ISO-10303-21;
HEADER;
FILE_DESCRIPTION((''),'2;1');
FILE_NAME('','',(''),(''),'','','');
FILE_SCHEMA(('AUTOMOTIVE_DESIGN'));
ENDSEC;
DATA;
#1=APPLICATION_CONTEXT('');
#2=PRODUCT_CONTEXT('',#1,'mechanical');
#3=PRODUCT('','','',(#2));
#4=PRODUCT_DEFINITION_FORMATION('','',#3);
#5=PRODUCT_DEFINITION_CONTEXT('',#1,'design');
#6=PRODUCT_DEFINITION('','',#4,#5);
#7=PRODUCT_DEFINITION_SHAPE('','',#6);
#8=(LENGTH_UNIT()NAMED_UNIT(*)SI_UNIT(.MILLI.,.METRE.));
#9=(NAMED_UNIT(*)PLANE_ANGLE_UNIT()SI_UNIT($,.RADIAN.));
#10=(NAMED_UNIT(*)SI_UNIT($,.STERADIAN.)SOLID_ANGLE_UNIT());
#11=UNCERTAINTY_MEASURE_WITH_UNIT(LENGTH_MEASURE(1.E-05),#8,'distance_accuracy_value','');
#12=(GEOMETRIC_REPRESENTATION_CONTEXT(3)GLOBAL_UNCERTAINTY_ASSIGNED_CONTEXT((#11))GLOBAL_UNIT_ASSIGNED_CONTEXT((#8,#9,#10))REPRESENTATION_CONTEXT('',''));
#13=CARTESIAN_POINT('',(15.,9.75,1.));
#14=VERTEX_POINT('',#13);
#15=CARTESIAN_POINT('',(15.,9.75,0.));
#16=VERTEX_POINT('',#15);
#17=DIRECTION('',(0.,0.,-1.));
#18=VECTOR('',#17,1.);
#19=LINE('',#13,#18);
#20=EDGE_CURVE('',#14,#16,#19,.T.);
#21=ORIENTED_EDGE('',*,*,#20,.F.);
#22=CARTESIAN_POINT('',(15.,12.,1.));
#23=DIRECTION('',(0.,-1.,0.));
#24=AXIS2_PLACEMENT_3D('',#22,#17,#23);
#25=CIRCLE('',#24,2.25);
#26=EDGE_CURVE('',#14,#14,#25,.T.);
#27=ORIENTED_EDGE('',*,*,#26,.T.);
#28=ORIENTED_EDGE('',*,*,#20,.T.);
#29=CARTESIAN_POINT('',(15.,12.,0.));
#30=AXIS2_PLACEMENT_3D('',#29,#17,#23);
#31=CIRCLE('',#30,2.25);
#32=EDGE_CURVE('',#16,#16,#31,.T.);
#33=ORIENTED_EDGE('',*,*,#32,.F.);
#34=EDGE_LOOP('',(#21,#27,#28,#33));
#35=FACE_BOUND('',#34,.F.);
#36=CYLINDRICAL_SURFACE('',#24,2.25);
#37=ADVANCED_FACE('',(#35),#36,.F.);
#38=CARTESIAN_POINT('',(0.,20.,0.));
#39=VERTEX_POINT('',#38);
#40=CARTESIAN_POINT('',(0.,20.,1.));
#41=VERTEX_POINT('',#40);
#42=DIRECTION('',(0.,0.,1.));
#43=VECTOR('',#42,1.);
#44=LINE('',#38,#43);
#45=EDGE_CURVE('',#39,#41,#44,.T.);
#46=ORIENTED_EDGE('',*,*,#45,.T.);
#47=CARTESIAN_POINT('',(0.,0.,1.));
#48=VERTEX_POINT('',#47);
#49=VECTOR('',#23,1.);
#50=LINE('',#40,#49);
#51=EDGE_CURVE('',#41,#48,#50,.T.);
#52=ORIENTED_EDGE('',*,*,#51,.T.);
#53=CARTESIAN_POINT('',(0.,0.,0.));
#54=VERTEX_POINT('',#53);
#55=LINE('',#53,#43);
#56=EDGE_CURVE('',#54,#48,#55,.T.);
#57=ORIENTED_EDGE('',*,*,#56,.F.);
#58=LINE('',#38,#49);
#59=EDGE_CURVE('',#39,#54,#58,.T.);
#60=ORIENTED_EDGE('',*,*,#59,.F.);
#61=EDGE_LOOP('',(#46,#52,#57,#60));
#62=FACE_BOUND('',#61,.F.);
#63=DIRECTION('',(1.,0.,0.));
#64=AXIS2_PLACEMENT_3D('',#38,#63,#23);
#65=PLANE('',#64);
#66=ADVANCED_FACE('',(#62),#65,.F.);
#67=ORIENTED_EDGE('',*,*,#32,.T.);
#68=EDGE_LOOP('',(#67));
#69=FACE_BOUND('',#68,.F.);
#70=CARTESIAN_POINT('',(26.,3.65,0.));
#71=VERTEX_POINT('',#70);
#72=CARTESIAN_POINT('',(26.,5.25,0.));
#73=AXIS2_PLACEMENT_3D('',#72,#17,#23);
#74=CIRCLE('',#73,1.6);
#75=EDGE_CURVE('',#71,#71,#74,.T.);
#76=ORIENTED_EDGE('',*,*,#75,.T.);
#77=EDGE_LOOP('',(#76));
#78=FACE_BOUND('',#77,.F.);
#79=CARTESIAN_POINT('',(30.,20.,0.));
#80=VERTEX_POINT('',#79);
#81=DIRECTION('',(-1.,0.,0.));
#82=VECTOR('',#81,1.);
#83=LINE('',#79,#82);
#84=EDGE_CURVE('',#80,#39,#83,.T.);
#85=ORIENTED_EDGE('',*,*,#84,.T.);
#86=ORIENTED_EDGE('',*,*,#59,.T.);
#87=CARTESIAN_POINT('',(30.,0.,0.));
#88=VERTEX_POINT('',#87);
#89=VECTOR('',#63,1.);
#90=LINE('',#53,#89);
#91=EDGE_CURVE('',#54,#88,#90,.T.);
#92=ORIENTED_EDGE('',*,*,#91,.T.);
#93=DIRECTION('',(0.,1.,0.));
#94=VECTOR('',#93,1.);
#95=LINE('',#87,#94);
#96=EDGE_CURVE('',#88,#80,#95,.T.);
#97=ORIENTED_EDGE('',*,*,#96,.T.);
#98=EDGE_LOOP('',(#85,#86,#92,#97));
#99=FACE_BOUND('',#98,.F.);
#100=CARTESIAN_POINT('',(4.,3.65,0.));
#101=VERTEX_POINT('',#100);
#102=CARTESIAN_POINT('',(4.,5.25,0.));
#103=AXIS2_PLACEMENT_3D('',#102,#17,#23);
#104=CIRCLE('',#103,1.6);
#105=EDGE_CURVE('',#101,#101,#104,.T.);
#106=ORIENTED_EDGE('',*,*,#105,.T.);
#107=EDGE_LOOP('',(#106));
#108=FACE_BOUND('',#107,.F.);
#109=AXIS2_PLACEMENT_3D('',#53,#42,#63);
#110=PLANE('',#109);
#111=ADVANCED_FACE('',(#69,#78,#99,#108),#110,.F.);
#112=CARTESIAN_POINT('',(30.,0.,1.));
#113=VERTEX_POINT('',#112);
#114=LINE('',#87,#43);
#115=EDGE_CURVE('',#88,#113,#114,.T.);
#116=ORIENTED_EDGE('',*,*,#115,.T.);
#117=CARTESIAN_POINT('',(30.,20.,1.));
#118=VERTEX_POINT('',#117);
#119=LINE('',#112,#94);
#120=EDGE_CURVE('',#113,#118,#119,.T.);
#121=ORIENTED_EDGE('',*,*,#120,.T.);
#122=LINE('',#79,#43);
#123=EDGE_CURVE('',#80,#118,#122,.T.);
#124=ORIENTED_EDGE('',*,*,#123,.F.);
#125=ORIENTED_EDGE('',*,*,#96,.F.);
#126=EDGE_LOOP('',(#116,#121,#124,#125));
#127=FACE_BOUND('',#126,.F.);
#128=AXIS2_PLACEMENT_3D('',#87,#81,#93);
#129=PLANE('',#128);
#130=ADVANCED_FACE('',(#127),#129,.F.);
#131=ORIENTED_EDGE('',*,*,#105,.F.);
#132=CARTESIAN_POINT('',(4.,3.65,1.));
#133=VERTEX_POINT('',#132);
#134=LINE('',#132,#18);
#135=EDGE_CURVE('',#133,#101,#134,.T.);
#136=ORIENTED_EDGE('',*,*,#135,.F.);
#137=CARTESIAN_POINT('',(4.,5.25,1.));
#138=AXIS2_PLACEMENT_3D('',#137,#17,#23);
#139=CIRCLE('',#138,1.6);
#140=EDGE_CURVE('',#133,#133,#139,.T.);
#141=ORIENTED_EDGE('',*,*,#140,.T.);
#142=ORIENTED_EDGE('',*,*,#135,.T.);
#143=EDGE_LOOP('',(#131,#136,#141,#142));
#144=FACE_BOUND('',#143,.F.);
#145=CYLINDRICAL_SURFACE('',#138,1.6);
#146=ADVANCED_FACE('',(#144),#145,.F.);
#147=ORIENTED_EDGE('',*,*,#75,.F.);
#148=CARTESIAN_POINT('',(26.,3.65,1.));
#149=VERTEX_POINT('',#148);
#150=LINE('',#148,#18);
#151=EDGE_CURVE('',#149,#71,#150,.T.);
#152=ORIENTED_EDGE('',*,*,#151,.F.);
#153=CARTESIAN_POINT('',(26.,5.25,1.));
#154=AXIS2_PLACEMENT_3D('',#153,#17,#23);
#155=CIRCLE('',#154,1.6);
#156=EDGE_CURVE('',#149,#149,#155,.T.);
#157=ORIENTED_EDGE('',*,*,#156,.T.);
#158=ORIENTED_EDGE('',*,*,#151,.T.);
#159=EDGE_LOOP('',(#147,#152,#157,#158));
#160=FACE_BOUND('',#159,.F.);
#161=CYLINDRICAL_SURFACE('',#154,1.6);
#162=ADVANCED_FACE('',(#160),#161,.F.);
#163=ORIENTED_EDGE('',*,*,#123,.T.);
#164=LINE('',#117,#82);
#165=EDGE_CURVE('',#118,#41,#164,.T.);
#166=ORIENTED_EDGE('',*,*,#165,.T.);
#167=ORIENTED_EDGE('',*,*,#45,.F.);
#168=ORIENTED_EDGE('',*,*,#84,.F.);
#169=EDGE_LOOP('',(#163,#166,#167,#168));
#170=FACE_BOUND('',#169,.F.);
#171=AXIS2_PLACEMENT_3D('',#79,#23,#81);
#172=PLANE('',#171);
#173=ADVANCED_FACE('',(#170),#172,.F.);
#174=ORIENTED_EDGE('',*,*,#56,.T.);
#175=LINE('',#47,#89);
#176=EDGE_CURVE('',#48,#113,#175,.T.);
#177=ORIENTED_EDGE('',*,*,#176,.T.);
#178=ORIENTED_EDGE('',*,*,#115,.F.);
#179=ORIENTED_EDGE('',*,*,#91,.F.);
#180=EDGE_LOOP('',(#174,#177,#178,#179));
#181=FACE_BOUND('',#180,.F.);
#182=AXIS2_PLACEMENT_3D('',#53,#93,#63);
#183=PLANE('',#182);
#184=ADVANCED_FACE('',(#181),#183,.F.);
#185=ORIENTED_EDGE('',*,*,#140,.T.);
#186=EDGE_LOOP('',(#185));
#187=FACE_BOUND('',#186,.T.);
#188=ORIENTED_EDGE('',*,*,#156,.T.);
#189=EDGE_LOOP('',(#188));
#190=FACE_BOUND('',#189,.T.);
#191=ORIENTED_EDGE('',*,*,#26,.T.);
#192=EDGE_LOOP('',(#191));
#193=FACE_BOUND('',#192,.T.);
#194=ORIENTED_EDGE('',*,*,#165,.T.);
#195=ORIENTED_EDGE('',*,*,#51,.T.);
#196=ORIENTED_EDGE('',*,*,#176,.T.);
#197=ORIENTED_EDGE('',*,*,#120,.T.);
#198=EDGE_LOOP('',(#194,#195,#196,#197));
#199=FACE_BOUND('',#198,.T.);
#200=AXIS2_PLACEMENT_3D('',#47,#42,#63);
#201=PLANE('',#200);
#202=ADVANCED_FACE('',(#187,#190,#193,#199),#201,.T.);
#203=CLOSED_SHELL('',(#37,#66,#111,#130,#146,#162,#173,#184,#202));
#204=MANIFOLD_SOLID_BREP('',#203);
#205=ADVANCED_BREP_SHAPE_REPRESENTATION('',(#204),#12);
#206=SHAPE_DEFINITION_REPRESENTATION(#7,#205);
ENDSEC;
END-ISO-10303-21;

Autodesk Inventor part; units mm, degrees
ref_plane "YZ Plane" through (0, 0, 0) normal (1, 0, 0) x (0, 1, 0)
ref_plane "XZ Plane" through (0, 0, 0) normal (0, 1, 0) x (-1, 0, 0)
ref_plane "XY Plane" through (0, 0, 0) normal (0, 0, 1) x (1, 0, 0)
sketch "スケッチ1" plane through (0, 0, 0) normal (0, 0, 1) x (1, 0, 0)
  line L0 (0, 0) -> (30, 0)
  line L1 (30, 0) -> (30, 20)
  line L2 (30, 20) -> (0, 20)
  line L3 (0, 20) -> (0, 0)
  dimension "d0" = 20
  dimension "d1" = 30
extrude "押し出し1" add sketch "スケッチ1" along normal blind 1
sketch "スケッチ2" plane through (0, 0, 1) normal (0, 0, 1) x (1, 0, 0)
  line L0 (30, 20) -> (0, 20) projected
  point P0 (0, 0)
  point P1 (15, 12)
  point P2 (15, 20)
  dimension "d4" = 8
hole "穴1" at (15, 12, 1) direction (0, 0, -1) diameter 4.5 end through all
sketch "スケッチ3" plane through (0, 0, 1) normal (0, 0, 1) x (1, 0, 0)
  line L0 (0, 20) -> (0, 0) projected
  line L1 (0, 0) -> (30, 0) projected
  line L2 (30, 20) -> (0, 20) projected
  point P0 (4, 5.25)
  point P1 (26, 5.25)
  dimension "d12" = 22
  dimension "d13" = 4
  dimension "d22" = 14.75
hole "穴2" at (4, 5.25, 1) at (26, 5.25, 1) direction (0, 0, -1) diameter 3.2 end through all
properties part number "CLS_typeC_31.4N_plate"
